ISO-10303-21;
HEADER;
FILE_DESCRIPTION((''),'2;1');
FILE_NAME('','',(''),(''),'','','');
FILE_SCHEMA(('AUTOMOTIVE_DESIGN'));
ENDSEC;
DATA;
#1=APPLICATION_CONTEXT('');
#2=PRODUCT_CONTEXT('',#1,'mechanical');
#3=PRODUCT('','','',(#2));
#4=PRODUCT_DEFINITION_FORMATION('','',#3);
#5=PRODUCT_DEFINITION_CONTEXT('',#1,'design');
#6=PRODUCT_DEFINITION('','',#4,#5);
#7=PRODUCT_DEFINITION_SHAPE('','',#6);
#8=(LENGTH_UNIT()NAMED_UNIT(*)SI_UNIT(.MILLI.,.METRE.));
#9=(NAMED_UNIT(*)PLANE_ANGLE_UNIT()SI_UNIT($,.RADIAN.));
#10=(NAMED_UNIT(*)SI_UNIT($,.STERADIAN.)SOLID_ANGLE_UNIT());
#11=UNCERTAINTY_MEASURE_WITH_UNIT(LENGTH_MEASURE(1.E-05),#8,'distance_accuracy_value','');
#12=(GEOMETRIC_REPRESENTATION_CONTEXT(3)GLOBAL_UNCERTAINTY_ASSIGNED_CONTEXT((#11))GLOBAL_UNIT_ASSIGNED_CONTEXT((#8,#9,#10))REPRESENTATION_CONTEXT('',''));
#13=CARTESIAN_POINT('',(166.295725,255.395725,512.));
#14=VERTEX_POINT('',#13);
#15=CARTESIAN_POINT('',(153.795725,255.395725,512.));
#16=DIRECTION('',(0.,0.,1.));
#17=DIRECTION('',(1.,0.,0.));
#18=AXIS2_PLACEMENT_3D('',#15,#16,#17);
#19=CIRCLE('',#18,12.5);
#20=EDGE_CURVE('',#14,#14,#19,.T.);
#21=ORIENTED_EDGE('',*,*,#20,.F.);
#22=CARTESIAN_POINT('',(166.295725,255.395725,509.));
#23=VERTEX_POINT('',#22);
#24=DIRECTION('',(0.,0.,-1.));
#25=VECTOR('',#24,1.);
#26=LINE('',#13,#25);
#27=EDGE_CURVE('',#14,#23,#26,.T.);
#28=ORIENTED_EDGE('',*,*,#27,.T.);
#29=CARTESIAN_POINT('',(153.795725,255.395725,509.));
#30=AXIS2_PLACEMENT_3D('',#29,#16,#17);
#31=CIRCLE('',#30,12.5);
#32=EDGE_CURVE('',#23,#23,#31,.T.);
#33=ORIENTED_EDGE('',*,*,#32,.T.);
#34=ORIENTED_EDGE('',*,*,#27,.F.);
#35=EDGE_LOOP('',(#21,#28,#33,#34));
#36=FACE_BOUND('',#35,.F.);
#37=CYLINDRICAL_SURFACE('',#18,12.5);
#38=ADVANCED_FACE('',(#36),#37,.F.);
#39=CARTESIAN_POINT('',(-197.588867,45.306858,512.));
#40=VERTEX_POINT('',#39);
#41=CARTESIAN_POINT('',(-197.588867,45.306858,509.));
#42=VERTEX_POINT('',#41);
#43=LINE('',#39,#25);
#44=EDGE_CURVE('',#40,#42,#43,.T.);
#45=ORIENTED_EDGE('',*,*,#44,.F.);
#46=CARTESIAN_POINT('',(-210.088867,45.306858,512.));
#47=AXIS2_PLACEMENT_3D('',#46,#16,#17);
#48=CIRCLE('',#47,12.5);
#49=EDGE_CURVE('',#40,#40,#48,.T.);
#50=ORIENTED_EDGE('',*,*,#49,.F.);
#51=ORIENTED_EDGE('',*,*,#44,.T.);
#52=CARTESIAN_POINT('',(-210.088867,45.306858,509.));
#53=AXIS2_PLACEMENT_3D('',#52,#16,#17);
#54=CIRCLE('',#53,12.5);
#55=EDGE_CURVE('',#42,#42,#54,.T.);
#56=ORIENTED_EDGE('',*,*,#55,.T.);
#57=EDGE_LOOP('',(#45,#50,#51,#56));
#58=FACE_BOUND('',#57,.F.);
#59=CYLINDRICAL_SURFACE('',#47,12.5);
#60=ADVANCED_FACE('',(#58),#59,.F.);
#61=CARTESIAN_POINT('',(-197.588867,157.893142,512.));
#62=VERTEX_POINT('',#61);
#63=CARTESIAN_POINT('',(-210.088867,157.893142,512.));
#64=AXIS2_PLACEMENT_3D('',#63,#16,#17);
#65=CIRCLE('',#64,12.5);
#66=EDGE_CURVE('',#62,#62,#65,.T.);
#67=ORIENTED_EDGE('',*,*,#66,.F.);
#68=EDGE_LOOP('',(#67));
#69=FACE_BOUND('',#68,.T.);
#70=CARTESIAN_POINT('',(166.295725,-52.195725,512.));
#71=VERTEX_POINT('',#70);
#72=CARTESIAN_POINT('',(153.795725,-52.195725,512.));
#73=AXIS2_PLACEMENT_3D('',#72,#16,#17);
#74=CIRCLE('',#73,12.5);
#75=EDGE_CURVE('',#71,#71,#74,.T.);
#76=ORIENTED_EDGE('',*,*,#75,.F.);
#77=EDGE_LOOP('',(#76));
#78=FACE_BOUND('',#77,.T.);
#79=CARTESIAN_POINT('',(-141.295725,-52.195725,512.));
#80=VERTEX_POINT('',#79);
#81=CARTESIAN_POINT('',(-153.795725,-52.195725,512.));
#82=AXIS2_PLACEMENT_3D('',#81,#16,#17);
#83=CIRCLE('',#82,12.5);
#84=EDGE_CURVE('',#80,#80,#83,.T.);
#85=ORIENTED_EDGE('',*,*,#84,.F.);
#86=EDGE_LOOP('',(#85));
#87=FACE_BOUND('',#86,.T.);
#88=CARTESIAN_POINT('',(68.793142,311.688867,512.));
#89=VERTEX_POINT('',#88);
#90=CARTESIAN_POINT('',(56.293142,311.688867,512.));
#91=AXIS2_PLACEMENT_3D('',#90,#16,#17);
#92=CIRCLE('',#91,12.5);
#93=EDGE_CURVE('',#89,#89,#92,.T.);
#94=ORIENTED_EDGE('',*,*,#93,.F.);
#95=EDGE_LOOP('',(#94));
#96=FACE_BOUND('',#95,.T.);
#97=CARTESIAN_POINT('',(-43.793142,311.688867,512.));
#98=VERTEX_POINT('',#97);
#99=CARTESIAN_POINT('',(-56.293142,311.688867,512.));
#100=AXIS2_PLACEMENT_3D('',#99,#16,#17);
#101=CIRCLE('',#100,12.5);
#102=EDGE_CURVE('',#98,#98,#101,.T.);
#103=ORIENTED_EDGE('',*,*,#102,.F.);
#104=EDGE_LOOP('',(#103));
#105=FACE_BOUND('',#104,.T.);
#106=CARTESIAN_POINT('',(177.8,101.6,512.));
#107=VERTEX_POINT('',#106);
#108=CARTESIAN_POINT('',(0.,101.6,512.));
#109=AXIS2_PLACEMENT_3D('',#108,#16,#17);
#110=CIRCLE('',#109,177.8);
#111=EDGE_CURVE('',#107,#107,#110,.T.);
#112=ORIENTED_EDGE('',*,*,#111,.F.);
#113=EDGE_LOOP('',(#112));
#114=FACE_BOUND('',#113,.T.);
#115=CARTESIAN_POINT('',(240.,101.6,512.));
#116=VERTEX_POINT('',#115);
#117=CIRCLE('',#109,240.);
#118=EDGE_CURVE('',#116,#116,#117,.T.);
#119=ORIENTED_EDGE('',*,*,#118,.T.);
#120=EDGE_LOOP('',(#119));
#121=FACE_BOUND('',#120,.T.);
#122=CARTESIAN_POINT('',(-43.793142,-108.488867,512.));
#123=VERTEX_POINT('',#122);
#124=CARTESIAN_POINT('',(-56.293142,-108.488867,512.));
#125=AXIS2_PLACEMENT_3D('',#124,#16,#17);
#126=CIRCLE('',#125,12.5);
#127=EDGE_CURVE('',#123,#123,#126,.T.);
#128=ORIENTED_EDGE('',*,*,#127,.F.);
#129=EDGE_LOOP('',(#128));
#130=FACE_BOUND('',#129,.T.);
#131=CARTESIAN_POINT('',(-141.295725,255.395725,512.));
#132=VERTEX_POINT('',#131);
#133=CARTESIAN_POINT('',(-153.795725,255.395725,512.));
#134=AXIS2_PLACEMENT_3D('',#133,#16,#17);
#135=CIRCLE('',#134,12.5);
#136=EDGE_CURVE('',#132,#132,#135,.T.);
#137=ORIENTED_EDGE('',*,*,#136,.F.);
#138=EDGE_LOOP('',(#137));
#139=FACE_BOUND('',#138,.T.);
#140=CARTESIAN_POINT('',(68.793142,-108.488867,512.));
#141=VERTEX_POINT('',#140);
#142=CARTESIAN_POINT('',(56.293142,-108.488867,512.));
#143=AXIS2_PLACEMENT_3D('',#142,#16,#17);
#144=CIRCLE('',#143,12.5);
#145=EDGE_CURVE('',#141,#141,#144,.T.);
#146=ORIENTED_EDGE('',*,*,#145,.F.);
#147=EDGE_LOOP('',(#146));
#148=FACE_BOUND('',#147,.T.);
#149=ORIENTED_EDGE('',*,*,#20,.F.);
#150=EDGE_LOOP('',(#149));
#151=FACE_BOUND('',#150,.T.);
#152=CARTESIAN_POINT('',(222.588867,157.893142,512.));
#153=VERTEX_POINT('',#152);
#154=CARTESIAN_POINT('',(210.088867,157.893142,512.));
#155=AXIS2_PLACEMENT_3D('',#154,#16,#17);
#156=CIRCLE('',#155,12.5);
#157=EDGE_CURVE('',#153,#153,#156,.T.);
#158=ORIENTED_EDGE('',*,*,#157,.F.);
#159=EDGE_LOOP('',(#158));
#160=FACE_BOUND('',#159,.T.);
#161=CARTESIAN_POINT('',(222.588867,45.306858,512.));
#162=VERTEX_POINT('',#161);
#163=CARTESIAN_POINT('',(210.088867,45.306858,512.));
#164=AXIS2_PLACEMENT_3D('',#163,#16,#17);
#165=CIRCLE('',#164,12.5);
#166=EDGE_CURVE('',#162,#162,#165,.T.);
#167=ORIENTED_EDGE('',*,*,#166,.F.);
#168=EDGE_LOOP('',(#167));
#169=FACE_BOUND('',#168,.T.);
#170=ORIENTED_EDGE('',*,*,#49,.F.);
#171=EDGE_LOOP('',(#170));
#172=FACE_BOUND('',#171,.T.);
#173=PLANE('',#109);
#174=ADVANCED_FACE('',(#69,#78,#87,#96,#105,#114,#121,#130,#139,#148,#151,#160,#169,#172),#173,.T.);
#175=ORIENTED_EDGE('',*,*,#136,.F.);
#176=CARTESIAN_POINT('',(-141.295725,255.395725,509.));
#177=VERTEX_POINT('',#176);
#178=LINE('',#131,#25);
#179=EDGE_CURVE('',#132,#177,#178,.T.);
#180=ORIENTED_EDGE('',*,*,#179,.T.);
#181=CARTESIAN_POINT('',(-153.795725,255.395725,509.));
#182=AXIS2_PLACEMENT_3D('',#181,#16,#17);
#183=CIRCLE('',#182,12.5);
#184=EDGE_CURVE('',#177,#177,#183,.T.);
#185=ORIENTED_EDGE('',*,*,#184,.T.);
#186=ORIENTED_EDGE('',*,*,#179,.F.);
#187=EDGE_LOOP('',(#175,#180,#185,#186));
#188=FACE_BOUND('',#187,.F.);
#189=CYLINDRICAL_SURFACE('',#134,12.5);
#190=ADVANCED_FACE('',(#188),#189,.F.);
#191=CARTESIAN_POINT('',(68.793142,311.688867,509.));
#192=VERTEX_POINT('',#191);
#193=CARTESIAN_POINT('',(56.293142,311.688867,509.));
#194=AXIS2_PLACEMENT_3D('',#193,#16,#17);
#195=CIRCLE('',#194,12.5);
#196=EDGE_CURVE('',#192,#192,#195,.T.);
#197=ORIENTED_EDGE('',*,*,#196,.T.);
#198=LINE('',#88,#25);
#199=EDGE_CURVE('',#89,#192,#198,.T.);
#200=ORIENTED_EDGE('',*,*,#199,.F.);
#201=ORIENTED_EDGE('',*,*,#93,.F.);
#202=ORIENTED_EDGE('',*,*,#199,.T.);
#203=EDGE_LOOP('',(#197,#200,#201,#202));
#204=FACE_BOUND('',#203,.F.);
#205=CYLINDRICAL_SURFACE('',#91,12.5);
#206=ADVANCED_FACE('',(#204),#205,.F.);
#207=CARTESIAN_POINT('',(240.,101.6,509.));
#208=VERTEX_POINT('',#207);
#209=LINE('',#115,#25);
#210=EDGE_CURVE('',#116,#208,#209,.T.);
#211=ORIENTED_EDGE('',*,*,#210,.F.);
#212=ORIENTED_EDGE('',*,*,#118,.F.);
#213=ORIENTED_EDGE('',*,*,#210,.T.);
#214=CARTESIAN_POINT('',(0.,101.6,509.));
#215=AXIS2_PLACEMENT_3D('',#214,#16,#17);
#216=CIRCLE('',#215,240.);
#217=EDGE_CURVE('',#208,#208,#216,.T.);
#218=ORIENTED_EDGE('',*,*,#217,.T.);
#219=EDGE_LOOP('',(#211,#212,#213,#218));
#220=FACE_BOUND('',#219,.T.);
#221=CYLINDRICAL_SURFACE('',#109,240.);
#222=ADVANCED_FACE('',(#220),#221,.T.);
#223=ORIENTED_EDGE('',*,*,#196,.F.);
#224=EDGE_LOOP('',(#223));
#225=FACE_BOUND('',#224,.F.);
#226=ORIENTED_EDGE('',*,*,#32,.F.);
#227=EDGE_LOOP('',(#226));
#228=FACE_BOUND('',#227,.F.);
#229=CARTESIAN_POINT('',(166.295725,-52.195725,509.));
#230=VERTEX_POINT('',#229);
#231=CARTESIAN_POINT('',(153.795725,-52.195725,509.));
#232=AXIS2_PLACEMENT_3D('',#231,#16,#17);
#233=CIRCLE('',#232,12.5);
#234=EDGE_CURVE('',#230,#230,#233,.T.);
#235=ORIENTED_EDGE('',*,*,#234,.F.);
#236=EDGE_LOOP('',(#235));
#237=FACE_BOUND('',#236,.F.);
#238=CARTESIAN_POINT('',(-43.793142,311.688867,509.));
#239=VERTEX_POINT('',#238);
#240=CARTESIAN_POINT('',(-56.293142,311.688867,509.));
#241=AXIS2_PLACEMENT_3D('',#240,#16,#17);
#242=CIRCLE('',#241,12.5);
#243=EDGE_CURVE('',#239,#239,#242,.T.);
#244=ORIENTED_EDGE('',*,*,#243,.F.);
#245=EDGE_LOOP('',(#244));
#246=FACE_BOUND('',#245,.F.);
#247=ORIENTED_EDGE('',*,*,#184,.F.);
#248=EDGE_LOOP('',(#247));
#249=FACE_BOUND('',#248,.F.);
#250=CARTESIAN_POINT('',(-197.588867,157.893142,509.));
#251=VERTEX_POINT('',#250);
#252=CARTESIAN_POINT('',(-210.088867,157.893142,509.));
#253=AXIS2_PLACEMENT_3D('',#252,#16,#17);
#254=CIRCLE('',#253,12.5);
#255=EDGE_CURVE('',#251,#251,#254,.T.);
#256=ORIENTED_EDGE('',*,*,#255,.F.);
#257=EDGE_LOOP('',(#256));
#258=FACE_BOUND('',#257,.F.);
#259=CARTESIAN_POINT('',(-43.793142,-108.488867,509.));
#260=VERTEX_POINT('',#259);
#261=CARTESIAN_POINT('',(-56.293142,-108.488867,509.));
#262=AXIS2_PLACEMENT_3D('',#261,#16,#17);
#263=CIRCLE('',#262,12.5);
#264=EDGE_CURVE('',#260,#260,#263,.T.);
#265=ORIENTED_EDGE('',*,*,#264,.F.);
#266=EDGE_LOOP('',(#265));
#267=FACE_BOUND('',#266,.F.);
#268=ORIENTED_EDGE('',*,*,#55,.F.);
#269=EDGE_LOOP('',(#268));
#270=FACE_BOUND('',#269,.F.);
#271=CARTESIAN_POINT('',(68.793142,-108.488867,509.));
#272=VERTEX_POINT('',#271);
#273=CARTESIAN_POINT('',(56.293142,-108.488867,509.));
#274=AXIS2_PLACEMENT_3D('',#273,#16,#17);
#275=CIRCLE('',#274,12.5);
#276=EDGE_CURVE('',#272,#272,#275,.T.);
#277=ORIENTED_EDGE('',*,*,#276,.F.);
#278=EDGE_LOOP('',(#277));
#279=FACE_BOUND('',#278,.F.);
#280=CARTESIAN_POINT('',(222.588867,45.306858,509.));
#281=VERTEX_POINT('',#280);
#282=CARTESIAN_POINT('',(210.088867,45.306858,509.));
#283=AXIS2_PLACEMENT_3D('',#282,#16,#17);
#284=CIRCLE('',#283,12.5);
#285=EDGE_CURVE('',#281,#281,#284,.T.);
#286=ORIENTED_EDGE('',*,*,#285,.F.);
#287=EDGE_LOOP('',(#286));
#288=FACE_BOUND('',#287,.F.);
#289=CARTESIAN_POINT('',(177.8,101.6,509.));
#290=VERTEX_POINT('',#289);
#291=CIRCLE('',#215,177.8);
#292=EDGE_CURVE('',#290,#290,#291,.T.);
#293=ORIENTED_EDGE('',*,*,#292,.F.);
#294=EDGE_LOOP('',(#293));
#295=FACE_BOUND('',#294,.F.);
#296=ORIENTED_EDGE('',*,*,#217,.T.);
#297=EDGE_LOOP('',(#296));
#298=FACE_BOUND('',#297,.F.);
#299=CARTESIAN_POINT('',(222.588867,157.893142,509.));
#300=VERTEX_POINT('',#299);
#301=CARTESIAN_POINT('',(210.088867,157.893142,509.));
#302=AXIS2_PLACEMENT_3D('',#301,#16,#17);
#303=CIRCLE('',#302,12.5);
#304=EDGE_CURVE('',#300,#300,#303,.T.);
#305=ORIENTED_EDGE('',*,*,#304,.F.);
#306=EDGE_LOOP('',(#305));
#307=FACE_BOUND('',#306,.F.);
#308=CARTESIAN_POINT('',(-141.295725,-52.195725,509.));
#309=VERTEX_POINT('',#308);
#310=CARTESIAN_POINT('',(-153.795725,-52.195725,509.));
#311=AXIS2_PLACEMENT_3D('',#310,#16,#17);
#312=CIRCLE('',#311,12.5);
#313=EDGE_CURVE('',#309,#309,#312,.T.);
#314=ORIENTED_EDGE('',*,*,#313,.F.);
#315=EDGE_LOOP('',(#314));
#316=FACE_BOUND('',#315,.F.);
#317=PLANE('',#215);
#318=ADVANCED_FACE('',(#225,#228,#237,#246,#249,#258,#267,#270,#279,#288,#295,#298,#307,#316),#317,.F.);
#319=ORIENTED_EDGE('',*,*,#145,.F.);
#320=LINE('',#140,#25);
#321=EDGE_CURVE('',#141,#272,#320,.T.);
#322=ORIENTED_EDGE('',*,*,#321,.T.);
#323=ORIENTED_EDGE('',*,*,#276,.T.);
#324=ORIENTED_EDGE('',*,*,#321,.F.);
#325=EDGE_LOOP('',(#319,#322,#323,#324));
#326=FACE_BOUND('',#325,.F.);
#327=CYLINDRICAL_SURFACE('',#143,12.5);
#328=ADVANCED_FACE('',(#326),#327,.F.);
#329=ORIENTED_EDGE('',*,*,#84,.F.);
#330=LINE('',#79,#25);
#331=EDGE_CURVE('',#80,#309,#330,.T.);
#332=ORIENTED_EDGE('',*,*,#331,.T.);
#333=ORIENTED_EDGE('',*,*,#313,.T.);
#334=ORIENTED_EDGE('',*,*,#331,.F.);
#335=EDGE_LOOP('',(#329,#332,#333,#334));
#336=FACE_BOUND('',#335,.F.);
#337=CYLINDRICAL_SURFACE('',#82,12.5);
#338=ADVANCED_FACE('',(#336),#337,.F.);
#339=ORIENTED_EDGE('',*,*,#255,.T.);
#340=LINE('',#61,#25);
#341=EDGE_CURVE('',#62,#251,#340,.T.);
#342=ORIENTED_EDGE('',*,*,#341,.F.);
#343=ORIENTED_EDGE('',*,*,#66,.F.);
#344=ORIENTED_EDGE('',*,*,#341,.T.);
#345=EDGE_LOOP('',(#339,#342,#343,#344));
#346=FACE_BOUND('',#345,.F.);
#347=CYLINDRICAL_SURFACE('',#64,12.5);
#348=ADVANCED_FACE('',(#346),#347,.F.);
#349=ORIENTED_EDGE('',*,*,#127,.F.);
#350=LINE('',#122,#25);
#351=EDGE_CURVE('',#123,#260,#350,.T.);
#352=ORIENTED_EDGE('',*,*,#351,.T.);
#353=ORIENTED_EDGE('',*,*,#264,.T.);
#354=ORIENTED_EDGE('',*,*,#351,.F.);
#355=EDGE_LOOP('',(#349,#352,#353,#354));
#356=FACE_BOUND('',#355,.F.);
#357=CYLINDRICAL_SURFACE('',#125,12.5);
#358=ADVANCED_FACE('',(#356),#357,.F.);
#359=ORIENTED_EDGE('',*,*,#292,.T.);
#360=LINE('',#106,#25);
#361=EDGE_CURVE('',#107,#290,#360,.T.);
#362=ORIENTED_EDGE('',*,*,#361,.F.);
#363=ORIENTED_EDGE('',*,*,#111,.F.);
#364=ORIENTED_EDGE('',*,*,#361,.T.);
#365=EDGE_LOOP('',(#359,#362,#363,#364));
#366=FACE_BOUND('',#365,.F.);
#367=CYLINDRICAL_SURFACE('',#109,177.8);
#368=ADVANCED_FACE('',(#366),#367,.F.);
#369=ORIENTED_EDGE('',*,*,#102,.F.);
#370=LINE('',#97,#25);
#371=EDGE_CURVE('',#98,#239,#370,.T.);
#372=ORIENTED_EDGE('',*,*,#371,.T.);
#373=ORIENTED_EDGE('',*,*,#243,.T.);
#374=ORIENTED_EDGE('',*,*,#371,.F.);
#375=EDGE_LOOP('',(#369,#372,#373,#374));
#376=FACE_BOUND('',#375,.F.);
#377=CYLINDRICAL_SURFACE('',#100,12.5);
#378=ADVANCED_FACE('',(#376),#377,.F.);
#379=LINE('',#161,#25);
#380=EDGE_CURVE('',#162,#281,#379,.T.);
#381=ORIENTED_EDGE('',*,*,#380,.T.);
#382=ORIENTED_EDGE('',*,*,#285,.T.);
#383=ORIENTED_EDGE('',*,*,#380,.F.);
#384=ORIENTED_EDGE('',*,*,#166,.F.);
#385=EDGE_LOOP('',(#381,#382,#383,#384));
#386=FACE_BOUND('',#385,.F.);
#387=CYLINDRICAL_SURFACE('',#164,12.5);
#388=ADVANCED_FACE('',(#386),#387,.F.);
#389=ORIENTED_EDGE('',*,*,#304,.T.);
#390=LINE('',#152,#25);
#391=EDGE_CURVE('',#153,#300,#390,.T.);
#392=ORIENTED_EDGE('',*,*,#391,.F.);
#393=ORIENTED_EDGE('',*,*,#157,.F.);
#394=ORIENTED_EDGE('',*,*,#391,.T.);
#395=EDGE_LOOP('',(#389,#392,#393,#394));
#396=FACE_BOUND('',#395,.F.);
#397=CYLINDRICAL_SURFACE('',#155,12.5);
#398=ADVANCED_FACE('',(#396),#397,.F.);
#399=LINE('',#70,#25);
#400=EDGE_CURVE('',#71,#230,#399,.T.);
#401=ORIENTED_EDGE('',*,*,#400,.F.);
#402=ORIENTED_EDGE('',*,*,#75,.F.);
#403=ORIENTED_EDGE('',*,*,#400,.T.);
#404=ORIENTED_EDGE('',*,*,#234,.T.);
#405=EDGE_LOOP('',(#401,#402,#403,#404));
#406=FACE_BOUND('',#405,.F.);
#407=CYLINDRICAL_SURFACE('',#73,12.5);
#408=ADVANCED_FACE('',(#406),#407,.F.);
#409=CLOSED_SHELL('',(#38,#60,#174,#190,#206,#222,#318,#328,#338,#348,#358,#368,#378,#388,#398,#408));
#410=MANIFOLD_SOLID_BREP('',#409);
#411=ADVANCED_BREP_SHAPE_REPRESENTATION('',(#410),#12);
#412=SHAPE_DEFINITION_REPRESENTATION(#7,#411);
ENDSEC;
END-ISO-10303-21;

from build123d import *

# Parameters (mm, degrees)
F1_R     = 240
F1_R_2   = 12.5
F1_R_3   = 177.8
F2_DEPTH = 3


with BuildPart() as f2:
    # F1 (on offset) → F2 (new body)
    with BuildSketch(Plane.XY.offset(512)):
        with Locations((0, 101.6)):
            Circle(F1_R)
        with Locations((-153.795725, -52.195725)):
            Circle(F1_R_2, mode=Mode.SUBTRACT)
        with Locations((-56.293142, -108.488867)):
            Circle(F1_R_2, mode=Mode.SUBTRACT)
        with Locations((-210.088867, 45.306858)):
            Circle(F1_R_2, mode=Mode.SUBTRACT)
        with Locations((56.293142, -108.488867)):
            Circle(F1_R_2, mode=Mode.SUBTRACT)
        with Locations((153.795725, -52.195725)):
            Circle(F1_R_2, mode=Mode.SUBTRACT)
        with Locations((210.088867, 45.306858)):
            Circle(F1_R_2, mode=Mode.SUBTRACT)
        with Locations((-210.088867, 157.893142)):
            Circle(F1_R_2, mode=Mode.SUBTRACT)
        with Locations((-153.795725, 255.395725)):
            Circle(F1_R_2, mode=Mode.SUBTRACT)
        with Locations((-56.293142, 311.688867)):
            Circle(F1_R_2, mode=Mode.SUBTRACT)
        with Locations((0, 101.6)):
            Circle(F1_R_3, mode=Mode.SUBTRACT)
        with Locations((210.088867, 157.893142)):
            Circle(F1_R_2, mode=Mode.SUBTRACT)
        with Locations((56.293142, 311.688867)):
            Circle(F1_R_2, mode=Mode.SUBTRACT)
        with Locations((153.795725, 255.395725)):
            Circle(F1_R_2, mode=Mode.SUBTRACT)
    extrude(amount=-F2_DEPTH)


solid = f2.part
